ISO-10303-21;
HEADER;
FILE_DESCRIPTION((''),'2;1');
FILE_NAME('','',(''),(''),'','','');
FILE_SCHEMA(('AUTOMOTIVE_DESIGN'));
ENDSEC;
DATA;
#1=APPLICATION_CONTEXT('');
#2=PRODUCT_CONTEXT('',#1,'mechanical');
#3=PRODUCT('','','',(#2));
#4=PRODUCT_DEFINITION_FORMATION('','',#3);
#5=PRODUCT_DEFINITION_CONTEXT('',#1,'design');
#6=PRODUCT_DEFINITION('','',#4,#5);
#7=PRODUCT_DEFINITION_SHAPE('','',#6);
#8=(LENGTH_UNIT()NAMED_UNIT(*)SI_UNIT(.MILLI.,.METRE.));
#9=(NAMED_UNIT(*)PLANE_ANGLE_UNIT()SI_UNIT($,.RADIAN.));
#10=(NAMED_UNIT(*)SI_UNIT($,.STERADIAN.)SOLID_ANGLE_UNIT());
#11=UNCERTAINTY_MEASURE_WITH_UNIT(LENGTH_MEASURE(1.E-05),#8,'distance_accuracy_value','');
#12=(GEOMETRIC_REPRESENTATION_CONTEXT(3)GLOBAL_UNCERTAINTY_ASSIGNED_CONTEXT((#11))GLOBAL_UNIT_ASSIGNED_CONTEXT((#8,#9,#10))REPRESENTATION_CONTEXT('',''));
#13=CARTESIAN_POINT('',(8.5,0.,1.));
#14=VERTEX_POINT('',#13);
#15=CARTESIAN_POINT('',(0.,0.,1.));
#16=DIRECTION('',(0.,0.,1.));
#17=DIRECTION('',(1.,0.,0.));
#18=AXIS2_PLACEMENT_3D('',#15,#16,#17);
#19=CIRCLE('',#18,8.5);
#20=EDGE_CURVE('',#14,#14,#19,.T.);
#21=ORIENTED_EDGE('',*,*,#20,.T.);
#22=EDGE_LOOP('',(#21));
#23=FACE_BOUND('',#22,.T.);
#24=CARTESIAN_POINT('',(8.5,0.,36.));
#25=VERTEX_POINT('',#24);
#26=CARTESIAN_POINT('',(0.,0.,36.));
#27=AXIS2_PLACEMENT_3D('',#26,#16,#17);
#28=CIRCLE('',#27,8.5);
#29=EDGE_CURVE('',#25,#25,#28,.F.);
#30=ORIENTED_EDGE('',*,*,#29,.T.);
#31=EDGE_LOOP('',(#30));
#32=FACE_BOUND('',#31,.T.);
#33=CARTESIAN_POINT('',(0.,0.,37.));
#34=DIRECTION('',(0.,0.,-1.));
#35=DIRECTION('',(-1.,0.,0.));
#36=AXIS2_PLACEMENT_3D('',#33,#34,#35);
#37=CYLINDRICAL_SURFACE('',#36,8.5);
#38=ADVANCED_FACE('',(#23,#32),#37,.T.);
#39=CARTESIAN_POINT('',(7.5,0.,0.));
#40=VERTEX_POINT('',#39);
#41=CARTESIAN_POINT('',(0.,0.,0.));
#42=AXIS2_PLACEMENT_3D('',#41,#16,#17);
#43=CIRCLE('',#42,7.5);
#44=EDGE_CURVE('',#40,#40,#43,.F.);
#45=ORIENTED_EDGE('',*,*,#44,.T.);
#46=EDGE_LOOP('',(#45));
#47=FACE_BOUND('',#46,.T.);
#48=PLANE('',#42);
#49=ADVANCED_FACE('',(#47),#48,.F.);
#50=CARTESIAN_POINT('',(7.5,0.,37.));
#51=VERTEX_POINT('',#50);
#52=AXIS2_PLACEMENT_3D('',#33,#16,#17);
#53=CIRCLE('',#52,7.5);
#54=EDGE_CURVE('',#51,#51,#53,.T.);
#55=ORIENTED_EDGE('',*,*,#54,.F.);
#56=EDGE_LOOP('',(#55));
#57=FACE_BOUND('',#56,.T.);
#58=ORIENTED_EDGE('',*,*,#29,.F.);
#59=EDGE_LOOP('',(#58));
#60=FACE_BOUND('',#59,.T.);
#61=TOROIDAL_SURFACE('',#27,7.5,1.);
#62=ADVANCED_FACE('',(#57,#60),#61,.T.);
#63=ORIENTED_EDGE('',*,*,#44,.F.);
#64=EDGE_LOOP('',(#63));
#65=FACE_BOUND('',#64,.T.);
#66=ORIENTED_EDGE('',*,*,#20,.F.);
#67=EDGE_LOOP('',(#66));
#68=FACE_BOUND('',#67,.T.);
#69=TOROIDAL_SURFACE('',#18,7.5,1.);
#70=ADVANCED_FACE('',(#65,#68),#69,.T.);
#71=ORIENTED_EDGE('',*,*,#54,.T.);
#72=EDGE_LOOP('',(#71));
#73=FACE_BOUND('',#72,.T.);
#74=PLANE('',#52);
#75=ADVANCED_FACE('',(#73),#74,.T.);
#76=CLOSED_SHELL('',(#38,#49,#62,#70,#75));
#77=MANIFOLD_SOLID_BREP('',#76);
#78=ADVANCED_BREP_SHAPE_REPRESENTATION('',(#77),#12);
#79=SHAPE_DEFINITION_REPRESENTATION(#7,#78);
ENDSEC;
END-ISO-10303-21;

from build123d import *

# Parameters (mm, degrees)
SKETCH_1_R      = 8.5
EXTRUDE_1_DEPTH = 37
FILLET_1_R      = 1


with BuildPart() as part:
    # Эскиз1 → Бобышка-Вытянуть1 (new body)
    with BuildSketch(Plane.XY):
        Circle(SKETCH_1_R)
    extrude(amount=EXTRUDE_1_DEPTH)

    # Скругление1
    fillet_1_edges = [part.edges().sort_by_distance(p)[0] for p in [
        (-8.5, 0, 0),
        (-8.5, 0, 37),
    ]]
    fillet(fillet_1_edges, radius=FILLET_1_R)


solid = part.part
